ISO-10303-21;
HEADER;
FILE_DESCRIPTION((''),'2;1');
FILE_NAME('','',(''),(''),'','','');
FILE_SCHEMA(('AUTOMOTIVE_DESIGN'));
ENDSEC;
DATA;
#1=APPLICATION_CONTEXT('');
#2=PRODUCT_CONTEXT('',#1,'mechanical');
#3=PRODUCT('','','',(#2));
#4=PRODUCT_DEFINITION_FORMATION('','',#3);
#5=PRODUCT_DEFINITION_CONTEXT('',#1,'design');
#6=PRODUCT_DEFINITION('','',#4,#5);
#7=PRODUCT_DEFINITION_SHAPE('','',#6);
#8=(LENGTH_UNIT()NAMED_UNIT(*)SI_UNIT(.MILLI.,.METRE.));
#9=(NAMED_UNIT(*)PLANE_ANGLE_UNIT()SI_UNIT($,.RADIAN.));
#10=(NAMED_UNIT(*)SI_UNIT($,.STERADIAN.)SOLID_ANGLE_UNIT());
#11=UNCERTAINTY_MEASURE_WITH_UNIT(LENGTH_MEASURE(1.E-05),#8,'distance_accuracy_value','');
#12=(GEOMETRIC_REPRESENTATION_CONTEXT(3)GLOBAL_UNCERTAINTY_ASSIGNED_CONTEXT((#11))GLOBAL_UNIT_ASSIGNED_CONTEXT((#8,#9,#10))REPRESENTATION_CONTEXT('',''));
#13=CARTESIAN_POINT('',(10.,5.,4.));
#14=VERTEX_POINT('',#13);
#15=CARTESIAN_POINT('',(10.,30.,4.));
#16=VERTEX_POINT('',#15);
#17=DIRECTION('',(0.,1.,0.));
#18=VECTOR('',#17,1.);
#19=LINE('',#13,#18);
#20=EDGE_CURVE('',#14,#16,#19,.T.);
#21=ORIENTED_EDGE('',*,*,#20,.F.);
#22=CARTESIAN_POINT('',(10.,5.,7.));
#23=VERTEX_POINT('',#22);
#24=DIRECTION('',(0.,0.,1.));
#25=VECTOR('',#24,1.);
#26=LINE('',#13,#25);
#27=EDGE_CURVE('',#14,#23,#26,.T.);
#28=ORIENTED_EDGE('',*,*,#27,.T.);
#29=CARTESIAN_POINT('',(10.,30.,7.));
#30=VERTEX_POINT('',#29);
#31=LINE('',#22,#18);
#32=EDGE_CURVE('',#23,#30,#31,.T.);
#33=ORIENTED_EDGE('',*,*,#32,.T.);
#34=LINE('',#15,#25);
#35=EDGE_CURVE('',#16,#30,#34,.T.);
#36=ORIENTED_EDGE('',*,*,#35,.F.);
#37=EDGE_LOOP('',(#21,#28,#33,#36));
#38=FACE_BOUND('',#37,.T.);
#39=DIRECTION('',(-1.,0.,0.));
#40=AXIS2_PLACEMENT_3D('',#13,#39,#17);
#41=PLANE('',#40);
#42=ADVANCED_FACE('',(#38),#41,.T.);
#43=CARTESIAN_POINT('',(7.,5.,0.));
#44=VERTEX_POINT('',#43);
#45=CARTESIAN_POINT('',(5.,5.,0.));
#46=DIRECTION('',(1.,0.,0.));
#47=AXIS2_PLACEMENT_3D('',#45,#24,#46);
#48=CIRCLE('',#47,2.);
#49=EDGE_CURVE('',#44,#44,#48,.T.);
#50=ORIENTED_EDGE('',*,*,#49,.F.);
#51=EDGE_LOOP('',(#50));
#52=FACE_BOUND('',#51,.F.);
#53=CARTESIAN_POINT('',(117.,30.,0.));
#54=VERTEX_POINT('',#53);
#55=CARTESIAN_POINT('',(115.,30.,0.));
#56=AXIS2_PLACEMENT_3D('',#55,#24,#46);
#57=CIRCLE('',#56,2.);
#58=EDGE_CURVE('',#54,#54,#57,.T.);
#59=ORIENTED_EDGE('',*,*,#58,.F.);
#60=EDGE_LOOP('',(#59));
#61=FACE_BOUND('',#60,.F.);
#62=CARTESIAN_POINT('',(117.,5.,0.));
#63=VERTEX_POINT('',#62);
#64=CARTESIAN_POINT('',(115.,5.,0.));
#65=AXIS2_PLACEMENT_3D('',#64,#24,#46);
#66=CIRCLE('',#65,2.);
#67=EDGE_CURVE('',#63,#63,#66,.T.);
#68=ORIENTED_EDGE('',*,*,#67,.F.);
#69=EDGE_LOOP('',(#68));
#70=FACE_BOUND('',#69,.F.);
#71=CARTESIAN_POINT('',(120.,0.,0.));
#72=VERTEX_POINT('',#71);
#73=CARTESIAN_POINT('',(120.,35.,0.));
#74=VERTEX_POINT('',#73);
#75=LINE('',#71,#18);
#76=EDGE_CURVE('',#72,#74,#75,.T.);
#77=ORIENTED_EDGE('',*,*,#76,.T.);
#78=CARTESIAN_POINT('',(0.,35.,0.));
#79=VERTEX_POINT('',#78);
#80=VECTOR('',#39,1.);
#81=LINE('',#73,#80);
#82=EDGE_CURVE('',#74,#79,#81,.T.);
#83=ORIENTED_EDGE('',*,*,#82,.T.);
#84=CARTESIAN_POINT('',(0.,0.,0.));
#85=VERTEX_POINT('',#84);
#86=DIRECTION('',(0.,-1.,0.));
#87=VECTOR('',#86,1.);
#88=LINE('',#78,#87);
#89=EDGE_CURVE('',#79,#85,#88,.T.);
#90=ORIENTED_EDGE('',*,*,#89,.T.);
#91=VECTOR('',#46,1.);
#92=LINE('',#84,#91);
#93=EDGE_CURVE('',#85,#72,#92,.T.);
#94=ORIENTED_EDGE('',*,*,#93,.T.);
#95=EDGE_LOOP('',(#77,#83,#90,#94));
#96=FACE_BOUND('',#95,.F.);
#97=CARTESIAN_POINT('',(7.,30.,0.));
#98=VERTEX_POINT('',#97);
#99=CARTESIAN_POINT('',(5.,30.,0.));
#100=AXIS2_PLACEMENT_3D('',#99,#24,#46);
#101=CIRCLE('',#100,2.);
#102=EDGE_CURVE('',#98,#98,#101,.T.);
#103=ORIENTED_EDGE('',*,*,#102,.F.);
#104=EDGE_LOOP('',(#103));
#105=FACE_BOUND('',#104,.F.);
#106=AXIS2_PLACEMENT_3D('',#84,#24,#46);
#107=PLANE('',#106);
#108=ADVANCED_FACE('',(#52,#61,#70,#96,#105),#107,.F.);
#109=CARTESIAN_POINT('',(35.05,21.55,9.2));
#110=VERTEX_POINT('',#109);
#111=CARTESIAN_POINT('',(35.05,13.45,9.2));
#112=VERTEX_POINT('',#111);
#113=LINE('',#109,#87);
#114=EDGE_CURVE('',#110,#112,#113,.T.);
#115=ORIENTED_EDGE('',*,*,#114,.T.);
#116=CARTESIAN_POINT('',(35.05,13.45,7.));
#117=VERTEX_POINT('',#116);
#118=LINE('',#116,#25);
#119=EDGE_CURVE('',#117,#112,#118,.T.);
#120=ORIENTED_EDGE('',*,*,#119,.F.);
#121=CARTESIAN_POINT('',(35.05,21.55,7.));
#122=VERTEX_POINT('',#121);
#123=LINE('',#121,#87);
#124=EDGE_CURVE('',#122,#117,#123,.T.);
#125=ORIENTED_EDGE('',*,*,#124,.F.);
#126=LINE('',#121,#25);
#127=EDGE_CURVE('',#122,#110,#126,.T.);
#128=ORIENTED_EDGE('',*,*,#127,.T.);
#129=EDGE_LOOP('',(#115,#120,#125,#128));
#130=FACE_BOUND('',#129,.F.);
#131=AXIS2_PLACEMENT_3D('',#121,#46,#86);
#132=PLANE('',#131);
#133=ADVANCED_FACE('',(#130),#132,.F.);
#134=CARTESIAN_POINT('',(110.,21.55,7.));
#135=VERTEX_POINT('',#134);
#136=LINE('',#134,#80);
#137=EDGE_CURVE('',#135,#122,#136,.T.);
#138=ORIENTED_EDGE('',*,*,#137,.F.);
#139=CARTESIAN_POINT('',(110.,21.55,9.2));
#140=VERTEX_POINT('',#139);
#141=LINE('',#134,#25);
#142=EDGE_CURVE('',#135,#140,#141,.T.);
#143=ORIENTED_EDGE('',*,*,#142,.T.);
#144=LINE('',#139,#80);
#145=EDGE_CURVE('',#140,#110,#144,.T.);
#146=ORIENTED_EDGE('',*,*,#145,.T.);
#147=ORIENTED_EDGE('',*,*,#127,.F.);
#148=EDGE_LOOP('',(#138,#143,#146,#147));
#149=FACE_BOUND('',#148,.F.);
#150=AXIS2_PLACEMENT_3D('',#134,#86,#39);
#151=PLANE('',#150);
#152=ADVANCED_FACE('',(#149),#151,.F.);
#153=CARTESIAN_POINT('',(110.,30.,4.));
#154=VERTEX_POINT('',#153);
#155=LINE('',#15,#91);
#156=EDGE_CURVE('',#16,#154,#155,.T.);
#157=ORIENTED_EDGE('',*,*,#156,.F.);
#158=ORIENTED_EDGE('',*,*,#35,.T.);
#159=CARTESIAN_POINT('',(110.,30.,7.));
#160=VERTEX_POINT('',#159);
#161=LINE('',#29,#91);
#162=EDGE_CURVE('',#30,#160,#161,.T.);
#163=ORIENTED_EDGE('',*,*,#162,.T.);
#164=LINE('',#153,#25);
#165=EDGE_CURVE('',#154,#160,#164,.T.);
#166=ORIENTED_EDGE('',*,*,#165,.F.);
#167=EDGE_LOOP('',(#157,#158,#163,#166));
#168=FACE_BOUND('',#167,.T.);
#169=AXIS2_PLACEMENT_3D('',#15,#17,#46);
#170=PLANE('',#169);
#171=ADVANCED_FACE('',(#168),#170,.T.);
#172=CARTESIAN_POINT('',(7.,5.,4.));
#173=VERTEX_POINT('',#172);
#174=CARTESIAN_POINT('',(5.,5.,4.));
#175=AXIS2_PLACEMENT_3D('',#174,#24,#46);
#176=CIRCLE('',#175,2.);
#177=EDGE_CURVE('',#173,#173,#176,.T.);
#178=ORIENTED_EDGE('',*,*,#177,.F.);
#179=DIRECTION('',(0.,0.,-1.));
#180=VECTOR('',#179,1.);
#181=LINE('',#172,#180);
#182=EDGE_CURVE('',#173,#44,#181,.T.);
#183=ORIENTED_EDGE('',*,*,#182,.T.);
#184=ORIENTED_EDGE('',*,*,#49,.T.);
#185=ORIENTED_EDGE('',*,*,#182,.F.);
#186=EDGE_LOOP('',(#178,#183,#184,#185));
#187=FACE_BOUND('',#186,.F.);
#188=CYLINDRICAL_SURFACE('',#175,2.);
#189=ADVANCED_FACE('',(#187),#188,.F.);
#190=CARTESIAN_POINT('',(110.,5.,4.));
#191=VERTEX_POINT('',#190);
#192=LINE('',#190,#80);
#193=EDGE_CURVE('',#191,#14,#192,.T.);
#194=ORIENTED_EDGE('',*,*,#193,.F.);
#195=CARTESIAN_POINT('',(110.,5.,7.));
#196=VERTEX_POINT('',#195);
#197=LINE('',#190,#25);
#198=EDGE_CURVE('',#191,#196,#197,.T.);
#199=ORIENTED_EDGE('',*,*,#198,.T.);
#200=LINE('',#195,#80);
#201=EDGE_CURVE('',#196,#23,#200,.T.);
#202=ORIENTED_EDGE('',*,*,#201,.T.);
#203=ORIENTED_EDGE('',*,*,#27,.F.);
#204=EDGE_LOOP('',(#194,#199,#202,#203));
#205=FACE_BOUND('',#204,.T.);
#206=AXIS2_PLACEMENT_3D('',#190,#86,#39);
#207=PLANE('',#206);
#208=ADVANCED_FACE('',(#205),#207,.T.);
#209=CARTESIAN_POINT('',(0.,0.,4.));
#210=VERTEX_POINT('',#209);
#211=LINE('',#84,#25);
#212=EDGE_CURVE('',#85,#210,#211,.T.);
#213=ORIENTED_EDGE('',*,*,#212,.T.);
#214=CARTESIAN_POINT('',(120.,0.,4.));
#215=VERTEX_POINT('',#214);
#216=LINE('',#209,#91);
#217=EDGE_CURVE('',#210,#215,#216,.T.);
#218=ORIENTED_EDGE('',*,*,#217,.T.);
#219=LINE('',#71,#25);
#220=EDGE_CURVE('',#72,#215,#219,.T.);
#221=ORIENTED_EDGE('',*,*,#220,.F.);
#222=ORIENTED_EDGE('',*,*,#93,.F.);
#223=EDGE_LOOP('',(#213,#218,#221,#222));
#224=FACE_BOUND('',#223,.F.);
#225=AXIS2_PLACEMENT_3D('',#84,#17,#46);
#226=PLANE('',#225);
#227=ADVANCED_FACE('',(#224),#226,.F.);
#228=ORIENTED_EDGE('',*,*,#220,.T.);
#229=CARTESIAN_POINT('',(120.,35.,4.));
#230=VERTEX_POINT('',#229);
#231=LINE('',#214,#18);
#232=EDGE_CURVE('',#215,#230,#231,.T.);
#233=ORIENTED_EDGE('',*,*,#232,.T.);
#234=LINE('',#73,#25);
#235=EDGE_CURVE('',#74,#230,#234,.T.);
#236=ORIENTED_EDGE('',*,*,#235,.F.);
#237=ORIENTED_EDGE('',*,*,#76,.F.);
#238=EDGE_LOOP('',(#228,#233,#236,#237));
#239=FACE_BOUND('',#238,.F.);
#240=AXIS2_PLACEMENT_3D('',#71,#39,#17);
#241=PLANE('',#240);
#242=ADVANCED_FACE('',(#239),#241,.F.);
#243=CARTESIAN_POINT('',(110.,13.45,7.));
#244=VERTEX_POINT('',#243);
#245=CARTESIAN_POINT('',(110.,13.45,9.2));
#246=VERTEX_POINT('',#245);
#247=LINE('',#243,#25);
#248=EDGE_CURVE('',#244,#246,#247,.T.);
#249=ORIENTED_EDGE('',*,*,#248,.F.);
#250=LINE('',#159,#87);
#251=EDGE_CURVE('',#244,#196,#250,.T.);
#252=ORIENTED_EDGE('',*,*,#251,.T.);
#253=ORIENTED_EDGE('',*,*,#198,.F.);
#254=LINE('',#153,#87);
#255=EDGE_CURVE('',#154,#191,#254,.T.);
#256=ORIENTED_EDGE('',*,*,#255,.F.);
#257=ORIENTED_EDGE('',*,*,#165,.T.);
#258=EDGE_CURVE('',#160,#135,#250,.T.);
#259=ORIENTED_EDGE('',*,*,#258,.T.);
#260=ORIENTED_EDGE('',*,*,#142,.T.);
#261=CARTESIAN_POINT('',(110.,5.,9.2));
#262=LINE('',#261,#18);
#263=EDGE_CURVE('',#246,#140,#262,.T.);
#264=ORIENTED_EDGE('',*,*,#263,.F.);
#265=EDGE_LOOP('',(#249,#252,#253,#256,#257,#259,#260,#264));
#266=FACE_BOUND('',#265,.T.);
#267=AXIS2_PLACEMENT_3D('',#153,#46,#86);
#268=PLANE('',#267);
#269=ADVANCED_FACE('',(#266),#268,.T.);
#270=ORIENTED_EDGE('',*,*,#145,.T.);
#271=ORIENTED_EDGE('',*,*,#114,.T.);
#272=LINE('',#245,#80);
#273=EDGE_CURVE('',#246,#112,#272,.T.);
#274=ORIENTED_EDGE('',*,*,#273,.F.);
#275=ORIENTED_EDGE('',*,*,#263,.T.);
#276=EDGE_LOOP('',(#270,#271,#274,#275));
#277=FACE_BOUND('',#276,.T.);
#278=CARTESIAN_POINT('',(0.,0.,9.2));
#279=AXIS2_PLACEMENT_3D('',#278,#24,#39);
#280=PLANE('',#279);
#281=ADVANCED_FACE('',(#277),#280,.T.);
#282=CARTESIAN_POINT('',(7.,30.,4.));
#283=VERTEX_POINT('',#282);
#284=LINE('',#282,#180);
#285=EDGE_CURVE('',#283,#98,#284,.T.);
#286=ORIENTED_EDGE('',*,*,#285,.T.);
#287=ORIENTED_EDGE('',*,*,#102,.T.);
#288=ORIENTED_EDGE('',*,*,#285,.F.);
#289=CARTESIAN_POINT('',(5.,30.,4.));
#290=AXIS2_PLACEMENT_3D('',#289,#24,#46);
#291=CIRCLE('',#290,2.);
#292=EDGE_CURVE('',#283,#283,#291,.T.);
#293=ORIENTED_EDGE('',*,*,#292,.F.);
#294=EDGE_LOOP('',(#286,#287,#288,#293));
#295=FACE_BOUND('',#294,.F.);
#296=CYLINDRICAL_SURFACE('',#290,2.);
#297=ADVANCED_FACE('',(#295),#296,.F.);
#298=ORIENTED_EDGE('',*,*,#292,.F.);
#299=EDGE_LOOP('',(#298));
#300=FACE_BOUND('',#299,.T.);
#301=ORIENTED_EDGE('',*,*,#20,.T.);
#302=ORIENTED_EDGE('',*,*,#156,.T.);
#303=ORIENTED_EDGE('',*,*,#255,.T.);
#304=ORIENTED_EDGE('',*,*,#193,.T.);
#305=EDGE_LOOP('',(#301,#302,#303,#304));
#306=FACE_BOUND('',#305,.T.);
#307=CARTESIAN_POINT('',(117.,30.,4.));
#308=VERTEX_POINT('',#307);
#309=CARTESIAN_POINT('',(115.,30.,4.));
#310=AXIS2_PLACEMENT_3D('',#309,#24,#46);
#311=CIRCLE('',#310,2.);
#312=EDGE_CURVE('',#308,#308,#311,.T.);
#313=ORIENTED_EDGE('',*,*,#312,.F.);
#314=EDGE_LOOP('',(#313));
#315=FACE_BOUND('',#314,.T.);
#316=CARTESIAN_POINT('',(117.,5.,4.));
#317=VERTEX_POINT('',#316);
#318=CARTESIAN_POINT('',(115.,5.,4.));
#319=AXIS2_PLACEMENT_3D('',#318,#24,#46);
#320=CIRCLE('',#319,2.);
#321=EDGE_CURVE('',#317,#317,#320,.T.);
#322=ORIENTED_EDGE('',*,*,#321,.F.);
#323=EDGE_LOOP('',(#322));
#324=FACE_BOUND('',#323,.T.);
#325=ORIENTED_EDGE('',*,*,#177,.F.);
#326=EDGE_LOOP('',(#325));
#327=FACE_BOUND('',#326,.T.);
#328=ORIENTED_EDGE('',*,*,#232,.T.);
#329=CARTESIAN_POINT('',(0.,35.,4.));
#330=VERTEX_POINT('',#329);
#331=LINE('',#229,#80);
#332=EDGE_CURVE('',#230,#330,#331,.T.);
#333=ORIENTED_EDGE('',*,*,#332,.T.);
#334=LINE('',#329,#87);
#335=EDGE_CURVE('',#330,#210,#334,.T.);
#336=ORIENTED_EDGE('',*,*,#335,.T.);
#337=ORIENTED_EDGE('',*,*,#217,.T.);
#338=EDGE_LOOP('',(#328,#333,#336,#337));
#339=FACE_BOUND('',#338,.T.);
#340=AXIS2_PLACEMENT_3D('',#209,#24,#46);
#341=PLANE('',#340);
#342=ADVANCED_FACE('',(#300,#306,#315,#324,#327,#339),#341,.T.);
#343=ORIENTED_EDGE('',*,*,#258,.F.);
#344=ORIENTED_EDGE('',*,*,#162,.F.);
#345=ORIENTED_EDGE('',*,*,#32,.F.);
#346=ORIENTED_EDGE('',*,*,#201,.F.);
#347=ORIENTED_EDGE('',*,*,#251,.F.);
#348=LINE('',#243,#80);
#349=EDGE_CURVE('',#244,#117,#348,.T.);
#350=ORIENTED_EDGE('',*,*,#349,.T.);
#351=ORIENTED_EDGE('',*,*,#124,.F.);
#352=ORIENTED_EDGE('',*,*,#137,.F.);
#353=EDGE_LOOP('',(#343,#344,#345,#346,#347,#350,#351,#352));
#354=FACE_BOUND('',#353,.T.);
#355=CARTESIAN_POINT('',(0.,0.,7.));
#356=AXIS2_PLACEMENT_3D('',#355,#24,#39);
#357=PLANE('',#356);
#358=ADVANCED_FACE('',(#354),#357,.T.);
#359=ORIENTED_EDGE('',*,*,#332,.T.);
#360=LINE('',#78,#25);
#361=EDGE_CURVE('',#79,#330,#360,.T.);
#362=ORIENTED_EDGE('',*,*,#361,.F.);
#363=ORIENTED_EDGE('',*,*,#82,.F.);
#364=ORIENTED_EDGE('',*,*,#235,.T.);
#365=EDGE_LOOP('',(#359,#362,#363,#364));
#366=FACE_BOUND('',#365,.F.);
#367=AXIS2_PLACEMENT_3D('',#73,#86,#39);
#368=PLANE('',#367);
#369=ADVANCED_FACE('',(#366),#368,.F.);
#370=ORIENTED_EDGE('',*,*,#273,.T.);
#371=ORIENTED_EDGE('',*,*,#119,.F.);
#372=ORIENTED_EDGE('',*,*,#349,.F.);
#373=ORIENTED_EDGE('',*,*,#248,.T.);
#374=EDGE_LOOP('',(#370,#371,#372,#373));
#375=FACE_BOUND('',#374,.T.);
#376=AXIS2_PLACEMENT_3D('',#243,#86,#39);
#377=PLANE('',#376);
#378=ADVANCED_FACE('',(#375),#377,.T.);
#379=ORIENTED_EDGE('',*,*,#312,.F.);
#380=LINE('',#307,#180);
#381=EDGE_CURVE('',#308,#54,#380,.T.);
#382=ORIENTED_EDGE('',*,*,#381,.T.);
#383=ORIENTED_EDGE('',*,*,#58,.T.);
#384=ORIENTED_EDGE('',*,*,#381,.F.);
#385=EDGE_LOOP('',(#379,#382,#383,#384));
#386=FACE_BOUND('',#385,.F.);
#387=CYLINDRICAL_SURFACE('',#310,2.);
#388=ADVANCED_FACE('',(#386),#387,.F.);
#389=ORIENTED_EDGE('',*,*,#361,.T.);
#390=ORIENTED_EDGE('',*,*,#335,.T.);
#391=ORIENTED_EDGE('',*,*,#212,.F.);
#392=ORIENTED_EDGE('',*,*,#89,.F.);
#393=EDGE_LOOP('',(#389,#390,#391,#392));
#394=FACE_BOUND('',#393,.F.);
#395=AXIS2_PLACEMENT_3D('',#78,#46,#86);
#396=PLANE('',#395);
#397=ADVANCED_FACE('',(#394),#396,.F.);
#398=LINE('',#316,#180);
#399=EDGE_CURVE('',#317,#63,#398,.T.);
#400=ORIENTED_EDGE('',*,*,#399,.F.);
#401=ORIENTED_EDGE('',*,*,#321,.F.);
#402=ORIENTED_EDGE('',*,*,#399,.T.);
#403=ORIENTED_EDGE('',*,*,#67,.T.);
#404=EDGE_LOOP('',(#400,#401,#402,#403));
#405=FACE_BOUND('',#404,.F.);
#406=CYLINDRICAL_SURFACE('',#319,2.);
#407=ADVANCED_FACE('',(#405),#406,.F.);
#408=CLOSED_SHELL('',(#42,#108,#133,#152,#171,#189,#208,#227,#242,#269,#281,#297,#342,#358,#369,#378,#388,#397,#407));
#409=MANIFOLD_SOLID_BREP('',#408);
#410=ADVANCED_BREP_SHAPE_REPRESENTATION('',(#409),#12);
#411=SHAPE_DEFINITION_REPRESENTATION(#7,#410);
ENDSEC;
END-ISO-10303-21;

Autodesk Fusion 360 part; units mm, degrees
sketch "Esboço1" plane through (0, 0, 0) normal (0, 0, 1) x (1, 0, 0)
  line L0 (0, 0) -> (120, 0)
  line L1 (120, 0) -> (120, 35)
  line L2 (120, 35) -> (0, 35)
  line L3 (0, 35) -> (0, 0)
  dimension "d1" = 120
  dimension "d2" = 35
extrude "Extrusão1" add sketch "Esboço1" along normal blind 4
sketch "Esboço2" plane through (0, 0, 4) normal (0, 0, 1) x (-1, 0, 0)
  line L0 (0, -35) -> (0, 0)
  line L1 (0, 0) -> (-120, 0)
  line L2 (-120, 0) -> (-120, -35)
  line L3 (-120, -35) -> (0, -35)
  line L4 (-10, -30) -> (-110, -30)
  line L5 (-110, -30) -> (-110, -5)
  line L6 (-110, -5) -> (-10, -5)
  line L7 (-10, -5) -> (-10, -30)
  point P0 (-5, -30)
  point P1 (-5, -5)
  point P2 (-115, -5)
  point P3 (-115, -30)
sketch "Esboço8" plane through (0, 0, 4) normal (0, 0, 1) x (1, 0, 0)
  circle A0 centre (5, 30) radius 2
  circle A1 centre (5, 5) radius 2
  circle A2 centre (115, 30) radius 2
  circle A3 centre (115, 5) radius 2
  dimension "d18" = 4
  dimension "d19" = 4
  dimension "d20" = 4
  dimension "d21" = 4
extrude "Extrusão7" cut sketch "Esboço8" against normal blind 20
extrude "Extrusão10" add sketch "Esboço2" along normal blind 3 contours L4 L5 L6 L7
sketch "Esboço10" plane through (0, 0, 7) normal (0, 0, 1) x (-1, 0, 0)
  line L0 (-10, -5) -> (-110, -5)
  line L1 (-110, -5) -> (-110, -30)
  line L2 (-110, -30) -> (-10, -30)
  line L3 (-10, -30) -> (-10, -5)
  line L4 (-110, -30) -> (-110, -21.55)
  line L5 (-110, -5) -> (-110, -13.45)
  line L6 (-110, -21.55) -> (-35.05, -21.55)
  line L7 (-110, -13.45) -> (-35.05, -13.45)
  line L8 (-35.05, -21.55) -> (-35.05, -13.45)
  dimension "d35" = 8.45
  dimension "d36" = 8.45
  dimension "d37" = 74.95
  dimension "d38" = 74.95
extrude "Extrusão11" add sketch "Esboço10" along normal blind 2.2 contours L1 L6 L7 L8
